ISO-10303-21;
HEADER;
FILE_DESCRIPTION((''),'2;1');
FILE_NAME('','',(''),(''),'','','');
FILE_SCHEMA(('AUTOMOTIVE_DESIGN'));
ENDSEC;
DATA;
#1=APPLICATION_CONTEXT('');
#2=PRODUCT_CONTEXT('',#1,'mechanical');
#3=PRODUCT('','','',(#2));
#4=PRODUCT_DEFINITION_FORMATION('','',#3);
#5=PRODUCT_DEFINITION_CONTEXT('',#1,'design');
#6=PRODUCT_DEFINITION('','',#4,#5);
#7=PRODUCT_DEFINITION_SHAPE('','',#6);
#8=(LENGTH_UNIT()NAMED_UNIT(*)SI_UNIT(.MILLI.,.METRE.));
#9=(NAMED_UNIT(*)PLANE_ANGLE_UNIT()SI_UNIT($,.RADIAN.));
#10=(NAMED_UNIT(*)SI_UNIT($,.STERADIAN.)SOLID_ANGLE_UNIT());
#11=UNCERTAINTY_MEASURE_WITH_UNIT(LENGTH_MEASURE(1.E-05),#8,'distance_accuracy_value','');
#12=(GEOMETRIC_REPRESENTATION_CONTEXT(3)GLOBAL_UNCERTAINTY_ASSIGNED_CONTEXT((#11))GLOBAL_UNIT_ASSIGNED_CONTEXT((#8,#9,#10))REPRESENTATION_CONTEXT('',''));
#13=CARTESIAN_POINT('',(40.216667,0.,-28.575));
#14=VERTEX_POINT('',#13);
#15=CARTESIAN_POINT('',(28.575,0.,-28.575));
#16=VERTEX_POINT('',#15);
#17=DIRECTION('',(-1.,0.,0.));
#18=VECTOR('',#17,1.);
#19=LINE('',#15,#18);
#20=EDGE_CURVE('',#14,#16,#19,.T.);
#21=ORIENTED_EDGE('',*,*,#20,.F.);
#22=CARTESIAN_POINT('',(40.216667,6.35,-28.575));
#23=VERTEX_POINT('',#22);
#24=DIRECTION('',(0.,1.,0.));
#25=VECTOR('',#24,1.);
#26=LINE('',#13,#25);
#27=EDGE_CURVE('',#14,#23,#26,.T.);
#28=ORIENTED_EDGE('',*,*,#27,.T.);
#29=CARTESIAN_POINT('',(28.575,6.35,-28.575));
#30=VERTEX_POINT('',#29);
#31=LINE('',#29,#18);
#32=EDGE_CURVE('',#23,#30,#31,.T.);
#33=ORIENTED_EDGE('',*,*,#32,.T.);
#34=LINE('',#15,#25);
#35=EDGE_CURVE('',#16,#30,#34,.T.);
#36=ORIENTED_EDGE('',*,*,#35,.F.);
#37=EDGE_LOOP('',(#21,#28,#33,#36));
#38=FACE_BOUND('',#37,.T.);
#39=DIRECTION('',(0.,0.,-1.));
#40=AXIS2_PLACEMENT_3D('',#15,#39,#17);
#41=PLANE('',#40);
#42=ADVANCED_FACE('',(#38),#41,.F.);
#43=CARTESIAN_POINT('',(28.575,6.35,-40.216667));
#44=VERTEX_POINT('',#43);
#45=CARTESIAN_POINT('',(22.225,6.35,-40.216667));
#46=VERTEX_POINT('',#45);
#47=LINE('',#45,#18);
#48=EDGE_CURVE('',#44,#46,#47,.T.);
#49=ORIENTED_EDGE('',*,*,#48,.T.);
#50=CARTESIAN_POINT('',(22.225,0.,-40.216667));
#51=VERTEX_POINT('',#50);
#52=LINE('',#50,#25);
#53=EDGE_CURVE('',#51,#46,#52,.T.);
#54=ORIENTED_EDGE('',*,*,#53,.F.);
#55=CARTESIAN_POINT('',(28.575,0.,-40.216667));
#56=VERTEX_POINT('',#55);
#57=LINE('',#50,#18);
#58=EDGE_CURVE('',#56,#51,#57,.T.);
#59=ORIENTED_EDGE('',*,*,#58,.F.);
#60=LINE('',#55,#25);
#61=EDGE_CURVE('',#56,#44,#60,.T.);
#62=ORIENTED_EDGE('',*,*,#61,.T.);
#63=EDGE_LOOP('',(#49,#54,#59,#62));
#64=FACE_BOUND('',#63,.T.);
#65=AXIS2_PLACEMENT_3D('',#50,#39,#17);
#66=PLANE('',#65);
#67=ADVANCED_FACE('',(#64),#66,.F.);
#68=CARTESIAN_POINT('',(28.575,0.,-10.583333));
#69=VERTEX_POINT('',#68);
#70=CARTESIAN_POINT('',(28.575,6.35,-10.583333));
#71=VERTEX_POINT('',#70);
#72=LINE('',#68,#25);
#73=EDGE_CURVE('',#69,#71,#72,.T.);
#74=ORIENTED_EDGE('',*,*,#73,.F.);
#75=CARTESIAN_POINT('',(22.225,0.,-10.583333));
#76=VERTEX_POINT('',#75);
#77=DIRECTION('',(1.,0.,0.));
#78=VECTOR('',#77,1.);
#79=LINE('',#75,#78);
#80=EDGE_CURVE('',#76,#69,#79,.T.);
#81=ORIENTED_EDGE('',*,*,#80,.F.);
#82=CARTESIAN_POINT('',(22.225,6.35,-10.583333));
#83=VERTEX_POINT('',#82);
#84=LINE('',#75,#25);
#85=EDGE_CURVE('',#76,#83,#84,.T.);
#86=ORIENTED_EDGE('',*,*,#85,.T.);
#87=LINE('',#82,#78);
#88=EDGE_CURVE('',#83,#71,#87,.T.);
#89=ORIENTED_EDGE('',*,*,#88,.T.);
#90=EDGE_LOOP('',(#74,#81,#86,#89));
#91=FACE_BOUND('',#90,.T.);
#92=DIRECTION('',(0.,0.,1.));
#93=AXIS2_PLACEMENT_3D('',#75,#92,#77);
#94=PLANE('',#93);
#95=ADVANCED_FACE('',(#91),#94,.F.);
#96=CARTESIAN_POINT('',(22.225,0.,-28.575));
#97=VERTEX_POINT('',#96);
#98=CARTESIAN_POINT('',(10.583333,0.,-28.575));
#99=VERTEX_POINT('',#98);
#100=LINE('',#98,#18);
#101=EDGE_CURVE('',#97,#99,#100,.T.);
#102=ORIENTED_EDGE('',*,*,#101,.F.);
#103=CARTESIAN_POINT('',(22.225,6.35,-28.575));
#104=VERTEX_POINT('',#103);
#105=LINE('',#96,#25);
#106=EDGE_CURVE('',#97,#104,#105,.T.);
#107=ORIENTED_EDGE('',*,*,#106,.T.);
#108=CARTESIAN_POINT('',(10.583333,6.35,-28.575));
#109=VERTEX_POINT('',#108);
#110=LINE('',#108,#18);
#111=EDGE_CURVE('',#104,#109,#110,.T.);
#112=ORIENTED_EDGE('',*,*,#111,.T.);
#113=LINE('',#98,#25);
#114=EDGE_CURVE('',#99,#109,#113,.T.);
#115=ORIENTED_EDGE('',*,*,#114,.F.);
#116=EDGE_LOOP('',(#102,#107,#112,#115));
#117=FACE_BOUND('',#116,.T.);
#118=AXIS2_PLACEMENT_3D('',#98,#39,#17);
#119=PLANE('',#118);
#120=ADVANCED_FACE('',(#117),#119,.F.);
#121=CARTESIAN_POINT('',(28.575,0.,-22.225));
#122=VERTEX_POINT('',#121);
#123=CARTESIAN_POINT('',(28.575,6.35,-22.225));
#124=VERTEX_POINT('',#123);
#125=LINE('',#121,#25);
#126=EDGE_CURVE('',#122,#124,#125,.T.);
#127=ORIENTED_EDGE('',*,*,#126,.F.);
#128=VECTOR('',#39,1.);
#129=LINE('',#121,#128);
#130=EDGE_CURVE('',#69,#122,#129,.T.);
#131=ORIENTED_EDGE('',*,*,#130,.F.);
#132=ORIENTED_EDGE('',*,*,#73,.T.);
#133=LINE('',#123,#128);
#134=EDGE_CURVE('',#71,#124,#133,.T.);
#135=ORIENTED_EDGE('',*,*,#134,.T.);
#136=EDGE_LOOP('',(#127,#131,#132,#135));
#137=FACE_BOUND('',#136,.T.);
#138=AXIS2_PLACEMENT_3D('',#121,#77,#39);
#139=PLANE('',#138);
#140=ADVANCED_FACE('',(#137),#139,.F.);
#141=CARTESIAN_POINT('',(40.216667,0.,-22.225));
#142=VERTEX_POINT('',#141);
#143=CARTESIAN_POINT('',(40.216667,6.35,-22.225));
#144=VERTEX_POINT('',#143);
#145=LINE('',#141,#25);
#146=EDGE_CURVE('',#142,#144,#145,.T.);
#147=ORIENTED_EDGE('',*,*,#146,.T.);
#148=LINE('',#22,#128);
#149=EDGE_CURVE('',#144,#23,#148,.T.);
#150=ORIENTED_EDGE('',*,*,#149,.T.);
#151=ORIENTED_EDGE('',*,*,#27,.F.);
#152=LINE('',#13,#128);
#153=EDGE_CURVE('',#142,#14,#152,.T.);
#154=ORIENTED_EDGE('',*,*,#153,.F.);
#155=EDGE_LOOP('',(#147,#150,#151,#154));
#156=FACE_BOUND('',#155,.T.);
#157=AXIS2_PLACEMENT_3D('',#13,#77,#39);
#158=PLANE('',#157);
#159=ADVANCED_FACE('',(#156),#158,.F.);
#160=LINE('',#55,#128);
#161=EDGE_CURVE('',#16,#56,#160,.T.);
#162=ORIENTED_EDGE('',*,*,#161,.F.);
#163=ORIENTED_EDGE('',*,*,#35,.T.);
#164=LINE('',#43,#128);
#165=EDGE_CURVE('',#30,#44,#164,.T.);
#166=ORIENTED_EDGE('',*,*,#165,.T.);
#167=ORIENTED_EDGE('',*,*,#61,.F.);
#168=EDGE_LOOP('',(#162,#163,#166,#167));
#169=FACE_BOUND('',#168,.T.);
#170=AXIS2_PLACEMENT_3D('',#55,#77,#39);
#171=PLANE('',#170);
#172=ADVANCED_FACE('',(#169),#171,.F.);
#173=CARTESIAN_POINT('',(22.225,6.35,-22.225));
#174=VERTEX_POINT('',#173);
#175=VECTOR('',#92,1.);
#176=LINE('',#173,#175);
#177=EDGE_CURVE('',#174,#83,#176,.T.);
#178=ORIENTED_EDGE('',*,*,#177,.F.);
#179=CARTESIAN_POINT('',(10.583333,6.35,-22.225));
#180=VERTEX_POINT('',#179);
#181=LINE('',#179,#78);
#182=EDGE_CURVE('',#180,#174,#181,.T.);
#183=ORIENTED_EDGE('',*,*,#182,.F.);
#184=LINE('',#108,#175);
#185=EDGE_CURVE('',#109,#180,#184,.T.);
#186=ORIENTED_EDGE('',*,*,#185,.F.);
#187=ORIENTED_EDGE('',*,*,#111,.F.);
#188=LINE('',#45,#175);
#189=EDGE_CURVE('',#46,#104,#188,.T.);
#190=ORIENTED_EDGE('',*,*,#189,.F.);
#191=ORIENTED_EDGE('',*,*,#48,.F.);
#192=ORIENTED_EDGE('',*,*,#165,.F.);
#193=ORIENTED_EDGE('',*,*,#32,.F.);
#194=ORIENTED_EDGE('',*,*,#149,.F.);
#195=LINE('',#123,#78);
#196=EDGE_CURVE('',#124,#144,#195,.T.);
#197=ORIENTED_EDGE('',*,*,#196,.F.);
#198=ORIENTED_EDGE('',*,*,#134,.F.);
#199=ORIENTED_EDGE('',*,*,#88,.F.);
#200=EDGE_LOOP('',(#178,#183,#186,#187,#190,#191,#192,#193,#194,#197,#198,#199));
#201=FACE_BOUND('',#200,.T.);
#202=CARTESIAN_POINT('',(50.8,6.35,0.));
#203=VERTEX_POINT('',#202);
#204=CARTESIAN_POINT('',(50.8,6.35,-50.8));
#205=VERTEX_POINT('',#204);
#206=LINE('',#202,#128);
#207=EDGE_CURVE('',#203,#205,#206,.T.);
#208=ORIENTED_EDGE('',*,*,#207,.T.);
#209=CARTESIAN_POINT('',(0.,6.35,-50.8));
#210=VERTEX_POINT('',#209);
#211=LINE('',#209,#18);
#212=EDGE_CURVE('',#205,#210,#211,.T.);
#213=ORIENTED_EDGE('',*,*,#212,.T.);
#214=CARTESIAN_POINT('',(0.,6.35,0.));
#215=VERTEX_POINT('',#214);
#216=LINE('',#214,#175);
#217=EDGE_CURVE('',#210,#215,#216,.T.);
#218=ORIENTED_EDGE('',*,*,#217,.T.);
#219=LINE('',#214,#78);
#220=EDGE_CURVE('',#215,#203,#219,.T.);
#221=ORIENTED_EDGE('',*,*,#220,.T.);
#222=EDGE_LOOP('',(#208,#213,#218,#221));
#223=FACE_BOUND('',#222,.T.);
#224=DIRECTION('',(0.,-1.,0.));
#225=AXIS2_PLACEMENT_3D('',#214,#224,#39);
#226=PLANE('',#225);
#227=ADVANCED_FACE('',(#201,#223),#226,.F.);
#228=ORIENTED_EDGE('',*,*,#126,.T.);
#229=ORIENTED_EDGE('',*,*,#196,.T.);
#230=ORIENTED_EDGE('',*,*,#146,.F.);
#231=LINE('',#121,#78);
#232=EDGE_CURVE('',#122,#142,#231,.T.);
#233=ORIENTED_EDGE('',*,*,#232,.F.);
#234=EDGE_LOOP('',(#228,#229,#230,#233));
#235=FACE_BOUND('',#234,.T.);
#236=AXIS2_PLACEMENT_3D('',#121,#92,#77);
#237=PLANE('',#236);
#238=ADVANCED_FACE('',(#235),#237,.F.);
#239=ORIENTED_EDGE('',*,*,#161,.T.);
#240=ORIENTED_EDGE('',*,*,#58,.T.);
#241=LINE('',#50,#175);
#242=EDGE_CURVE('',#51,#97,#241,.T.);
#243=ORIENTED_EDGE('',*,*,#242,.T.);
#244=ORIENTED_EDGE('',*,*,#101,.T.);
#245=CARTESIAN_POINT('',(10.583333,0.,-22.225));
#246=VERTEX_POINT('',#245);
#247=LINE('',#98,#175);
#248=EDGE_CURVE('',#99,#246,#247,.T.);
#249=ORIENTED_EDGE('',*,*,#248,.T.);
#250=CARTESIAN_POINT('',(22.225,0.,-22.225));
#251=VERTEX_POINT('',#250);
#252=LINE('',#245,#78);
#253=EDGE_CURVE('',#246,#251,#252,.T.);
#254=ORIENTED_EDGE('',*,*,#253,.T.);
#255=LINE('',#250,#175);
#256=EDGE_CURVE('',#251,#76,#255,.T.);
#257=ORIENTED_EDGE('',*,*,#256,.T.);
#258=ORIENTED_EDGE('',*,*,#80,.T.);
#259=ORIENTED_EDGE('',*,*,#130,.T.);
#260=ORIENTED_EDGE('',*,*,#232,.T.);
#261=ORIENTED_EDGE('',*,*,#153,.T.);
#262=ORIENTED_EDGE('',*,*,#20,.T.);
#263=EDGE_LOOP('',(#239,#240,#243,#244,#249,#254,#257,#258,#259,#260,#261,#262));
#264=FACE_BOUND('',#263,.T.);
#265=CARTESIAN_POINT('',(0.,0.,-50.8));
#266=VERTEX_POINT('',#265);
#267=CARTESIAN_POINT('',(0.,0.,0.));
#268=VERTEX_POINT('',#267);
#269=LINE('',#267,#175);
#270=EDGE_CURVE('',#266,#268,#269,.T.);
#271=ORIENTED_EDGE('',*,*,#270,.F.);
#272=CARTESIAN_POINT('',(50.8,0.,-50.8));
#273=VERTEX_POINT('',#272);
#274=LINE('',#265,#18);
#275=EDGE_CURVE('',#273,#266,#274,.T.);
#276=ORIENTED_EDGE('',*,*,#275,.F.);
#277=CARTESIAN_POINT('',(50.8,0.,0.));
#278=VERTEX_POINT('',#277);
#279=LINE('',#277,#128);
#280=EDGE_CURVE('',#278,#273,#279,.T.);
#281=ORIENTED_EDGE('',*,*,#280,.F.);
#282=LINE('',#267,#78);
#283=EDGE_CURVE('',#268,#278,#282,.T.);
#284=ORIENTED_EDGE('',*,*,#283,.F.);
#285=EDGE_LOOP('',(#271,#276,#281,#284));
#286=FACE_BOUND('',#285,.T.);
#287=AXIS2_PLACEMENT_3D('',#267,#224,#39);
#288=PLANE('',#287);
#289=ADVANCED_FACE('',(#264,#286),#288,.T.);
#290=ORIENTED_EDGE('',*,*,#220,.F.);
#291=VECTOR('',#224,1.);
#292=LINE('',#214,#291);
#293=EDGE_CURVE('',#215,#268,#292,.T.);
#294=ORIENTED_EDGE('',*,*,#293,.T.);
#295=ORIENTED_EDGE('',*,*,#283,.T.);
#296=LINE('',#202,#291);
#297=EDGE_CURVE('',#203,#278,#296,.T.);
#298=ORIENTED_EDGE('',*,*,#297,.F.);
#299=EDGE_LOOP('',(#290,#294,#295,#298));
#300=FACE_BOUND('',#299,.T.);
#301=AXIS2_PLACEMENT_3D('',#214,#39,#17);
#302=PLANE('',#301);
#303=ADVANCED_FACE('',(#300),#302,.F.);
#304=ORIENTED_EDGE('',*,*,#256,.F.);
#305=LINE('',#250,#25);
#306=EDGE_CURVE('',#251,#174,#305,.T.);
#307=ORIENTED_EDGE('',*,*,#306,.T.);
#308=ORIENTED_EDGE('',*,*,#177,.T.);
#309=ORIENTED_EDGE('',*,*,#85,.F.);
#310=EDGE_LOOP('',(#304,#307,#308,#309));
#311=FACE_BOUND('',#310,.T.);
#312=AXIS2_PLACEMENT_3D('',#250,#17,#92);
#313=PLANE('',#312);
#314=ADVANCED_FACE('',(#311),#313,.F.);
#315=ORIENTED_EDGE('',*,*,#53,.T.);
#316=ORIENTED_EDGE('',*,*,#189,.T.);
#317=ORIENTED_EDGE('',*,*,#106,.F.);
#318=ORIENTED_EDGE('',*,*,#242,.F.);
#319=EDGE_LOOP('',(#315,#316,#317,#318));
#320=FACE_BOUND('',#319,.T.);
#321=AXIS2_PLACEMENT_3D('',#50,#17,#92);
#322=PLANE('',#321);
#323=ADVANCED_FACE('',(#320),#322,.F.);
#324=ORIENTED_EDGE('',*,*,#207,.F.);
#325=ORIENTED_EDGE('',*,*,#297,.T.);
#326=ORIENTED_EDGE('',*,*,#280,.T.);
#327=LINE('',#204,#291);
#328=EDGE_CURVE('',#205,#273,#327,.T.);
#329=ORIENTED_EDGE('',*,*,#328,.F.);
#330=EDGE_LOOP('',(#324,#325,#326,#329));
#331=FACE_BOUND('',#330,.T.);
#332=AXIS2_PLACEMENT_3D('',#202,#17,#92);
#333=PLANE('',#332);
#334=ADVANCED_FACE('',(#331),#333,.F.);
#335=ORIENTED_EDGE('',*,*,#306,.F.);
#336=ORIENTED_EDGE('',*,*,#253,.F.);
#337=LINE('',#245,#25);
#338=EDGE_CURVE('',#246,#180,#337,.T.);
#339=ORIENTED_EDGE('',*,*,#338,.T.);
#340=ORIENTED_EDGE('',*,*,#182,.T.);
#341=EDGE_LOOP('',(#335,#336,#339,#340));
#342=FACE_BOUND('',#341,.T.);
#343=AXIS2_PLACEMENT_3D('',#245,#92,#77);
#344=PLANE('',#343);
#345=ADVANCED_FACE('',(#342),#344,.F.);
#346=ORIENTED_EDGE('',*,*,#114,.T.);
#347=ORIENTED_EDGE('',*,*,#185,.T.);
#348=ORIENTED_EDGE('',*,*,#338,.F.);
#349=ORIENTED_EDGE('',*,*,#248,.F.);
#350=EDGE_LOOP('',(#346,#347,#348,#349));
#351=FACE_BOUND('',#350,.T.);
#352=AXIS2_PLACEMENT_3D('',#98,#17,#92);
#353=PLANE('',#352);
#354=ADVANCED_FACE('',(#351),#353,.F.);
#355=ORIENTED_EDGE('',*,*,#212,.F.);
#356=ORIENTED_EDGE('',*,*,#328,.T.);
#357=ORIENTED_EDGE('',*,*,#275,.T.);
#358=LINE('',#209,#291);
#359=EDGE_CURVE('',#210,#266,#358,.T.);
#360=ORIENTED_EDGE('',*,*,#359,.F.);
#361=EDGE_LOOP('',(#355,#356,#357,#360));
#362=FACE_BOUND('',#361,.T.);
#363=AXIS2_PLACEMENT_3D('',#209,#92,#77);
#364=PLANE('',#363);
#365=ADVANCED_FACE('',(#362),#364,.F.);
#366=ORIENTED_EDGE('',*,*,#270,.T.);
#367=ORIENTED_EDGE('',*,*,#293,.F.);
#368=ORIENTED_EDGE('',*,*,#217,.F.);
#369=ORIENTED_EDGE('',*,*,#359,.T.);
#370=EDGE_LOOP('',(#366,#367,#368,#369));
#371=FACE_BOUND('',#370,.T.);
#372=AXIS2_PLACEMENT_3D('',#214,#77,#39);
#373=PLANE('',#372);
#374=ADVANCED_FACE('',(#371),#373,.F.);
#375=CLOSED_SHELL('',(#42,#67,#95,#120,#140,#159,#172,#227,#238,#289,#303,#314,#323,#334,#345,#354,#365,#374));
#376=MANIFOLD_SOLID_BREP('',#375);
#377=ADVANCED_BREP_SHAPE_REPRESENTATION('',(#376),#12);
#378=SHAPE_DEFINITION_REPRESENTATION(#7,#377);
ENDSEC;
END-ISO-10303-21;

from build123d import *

# Parameters (mm, degrees)
SKETCH1_W           = 50.8
SKETCH1_H           = 50.8
BOSS_EXTRUDE1_DEPTH = 6.35
CUT_EXTRUDE1_DEPTH  = 6.35


with BuildPart() as part:
    # Sketch1 → Boss-Extrude1 (new body)
    with BuildSketch(Plane(origin=(0, 0, 0), x_dir=(1, 0, 0), z_dir=(0, 1, 0))):
        with Locations((25.4, 25.4)):
            Rectangle(SKETCH1_W, SKETCH1_H)
    extrude(amount=BOSS_EXTRUDE1_DEPTH)

    # Sketch2 → Cut-Extrude1 (cut)
    with BuildSketch(Plane(origin=(0, 6.35, 0), x_dir=(1, 0, 0), z_dir=(0, 1, 0))):
        Polygon((28.575, 28.575), (40.216666667, 28.575), (40.216666667, 22.225), (28.575, 22.225), (28.575, 10.583333333), (22.225, 10.583333333), (22.225, 22.225), (10.583333333, 22.225), (10.583333333, 28.575), (22.225, 28.575), (22.225, 40.216666667), (28.575, 40.216666667), align=None)
    extrude(amount=-CUT_EXTRUDE1_DEPTH, mode=Mode.SUBTRACT)


solid = part.part
